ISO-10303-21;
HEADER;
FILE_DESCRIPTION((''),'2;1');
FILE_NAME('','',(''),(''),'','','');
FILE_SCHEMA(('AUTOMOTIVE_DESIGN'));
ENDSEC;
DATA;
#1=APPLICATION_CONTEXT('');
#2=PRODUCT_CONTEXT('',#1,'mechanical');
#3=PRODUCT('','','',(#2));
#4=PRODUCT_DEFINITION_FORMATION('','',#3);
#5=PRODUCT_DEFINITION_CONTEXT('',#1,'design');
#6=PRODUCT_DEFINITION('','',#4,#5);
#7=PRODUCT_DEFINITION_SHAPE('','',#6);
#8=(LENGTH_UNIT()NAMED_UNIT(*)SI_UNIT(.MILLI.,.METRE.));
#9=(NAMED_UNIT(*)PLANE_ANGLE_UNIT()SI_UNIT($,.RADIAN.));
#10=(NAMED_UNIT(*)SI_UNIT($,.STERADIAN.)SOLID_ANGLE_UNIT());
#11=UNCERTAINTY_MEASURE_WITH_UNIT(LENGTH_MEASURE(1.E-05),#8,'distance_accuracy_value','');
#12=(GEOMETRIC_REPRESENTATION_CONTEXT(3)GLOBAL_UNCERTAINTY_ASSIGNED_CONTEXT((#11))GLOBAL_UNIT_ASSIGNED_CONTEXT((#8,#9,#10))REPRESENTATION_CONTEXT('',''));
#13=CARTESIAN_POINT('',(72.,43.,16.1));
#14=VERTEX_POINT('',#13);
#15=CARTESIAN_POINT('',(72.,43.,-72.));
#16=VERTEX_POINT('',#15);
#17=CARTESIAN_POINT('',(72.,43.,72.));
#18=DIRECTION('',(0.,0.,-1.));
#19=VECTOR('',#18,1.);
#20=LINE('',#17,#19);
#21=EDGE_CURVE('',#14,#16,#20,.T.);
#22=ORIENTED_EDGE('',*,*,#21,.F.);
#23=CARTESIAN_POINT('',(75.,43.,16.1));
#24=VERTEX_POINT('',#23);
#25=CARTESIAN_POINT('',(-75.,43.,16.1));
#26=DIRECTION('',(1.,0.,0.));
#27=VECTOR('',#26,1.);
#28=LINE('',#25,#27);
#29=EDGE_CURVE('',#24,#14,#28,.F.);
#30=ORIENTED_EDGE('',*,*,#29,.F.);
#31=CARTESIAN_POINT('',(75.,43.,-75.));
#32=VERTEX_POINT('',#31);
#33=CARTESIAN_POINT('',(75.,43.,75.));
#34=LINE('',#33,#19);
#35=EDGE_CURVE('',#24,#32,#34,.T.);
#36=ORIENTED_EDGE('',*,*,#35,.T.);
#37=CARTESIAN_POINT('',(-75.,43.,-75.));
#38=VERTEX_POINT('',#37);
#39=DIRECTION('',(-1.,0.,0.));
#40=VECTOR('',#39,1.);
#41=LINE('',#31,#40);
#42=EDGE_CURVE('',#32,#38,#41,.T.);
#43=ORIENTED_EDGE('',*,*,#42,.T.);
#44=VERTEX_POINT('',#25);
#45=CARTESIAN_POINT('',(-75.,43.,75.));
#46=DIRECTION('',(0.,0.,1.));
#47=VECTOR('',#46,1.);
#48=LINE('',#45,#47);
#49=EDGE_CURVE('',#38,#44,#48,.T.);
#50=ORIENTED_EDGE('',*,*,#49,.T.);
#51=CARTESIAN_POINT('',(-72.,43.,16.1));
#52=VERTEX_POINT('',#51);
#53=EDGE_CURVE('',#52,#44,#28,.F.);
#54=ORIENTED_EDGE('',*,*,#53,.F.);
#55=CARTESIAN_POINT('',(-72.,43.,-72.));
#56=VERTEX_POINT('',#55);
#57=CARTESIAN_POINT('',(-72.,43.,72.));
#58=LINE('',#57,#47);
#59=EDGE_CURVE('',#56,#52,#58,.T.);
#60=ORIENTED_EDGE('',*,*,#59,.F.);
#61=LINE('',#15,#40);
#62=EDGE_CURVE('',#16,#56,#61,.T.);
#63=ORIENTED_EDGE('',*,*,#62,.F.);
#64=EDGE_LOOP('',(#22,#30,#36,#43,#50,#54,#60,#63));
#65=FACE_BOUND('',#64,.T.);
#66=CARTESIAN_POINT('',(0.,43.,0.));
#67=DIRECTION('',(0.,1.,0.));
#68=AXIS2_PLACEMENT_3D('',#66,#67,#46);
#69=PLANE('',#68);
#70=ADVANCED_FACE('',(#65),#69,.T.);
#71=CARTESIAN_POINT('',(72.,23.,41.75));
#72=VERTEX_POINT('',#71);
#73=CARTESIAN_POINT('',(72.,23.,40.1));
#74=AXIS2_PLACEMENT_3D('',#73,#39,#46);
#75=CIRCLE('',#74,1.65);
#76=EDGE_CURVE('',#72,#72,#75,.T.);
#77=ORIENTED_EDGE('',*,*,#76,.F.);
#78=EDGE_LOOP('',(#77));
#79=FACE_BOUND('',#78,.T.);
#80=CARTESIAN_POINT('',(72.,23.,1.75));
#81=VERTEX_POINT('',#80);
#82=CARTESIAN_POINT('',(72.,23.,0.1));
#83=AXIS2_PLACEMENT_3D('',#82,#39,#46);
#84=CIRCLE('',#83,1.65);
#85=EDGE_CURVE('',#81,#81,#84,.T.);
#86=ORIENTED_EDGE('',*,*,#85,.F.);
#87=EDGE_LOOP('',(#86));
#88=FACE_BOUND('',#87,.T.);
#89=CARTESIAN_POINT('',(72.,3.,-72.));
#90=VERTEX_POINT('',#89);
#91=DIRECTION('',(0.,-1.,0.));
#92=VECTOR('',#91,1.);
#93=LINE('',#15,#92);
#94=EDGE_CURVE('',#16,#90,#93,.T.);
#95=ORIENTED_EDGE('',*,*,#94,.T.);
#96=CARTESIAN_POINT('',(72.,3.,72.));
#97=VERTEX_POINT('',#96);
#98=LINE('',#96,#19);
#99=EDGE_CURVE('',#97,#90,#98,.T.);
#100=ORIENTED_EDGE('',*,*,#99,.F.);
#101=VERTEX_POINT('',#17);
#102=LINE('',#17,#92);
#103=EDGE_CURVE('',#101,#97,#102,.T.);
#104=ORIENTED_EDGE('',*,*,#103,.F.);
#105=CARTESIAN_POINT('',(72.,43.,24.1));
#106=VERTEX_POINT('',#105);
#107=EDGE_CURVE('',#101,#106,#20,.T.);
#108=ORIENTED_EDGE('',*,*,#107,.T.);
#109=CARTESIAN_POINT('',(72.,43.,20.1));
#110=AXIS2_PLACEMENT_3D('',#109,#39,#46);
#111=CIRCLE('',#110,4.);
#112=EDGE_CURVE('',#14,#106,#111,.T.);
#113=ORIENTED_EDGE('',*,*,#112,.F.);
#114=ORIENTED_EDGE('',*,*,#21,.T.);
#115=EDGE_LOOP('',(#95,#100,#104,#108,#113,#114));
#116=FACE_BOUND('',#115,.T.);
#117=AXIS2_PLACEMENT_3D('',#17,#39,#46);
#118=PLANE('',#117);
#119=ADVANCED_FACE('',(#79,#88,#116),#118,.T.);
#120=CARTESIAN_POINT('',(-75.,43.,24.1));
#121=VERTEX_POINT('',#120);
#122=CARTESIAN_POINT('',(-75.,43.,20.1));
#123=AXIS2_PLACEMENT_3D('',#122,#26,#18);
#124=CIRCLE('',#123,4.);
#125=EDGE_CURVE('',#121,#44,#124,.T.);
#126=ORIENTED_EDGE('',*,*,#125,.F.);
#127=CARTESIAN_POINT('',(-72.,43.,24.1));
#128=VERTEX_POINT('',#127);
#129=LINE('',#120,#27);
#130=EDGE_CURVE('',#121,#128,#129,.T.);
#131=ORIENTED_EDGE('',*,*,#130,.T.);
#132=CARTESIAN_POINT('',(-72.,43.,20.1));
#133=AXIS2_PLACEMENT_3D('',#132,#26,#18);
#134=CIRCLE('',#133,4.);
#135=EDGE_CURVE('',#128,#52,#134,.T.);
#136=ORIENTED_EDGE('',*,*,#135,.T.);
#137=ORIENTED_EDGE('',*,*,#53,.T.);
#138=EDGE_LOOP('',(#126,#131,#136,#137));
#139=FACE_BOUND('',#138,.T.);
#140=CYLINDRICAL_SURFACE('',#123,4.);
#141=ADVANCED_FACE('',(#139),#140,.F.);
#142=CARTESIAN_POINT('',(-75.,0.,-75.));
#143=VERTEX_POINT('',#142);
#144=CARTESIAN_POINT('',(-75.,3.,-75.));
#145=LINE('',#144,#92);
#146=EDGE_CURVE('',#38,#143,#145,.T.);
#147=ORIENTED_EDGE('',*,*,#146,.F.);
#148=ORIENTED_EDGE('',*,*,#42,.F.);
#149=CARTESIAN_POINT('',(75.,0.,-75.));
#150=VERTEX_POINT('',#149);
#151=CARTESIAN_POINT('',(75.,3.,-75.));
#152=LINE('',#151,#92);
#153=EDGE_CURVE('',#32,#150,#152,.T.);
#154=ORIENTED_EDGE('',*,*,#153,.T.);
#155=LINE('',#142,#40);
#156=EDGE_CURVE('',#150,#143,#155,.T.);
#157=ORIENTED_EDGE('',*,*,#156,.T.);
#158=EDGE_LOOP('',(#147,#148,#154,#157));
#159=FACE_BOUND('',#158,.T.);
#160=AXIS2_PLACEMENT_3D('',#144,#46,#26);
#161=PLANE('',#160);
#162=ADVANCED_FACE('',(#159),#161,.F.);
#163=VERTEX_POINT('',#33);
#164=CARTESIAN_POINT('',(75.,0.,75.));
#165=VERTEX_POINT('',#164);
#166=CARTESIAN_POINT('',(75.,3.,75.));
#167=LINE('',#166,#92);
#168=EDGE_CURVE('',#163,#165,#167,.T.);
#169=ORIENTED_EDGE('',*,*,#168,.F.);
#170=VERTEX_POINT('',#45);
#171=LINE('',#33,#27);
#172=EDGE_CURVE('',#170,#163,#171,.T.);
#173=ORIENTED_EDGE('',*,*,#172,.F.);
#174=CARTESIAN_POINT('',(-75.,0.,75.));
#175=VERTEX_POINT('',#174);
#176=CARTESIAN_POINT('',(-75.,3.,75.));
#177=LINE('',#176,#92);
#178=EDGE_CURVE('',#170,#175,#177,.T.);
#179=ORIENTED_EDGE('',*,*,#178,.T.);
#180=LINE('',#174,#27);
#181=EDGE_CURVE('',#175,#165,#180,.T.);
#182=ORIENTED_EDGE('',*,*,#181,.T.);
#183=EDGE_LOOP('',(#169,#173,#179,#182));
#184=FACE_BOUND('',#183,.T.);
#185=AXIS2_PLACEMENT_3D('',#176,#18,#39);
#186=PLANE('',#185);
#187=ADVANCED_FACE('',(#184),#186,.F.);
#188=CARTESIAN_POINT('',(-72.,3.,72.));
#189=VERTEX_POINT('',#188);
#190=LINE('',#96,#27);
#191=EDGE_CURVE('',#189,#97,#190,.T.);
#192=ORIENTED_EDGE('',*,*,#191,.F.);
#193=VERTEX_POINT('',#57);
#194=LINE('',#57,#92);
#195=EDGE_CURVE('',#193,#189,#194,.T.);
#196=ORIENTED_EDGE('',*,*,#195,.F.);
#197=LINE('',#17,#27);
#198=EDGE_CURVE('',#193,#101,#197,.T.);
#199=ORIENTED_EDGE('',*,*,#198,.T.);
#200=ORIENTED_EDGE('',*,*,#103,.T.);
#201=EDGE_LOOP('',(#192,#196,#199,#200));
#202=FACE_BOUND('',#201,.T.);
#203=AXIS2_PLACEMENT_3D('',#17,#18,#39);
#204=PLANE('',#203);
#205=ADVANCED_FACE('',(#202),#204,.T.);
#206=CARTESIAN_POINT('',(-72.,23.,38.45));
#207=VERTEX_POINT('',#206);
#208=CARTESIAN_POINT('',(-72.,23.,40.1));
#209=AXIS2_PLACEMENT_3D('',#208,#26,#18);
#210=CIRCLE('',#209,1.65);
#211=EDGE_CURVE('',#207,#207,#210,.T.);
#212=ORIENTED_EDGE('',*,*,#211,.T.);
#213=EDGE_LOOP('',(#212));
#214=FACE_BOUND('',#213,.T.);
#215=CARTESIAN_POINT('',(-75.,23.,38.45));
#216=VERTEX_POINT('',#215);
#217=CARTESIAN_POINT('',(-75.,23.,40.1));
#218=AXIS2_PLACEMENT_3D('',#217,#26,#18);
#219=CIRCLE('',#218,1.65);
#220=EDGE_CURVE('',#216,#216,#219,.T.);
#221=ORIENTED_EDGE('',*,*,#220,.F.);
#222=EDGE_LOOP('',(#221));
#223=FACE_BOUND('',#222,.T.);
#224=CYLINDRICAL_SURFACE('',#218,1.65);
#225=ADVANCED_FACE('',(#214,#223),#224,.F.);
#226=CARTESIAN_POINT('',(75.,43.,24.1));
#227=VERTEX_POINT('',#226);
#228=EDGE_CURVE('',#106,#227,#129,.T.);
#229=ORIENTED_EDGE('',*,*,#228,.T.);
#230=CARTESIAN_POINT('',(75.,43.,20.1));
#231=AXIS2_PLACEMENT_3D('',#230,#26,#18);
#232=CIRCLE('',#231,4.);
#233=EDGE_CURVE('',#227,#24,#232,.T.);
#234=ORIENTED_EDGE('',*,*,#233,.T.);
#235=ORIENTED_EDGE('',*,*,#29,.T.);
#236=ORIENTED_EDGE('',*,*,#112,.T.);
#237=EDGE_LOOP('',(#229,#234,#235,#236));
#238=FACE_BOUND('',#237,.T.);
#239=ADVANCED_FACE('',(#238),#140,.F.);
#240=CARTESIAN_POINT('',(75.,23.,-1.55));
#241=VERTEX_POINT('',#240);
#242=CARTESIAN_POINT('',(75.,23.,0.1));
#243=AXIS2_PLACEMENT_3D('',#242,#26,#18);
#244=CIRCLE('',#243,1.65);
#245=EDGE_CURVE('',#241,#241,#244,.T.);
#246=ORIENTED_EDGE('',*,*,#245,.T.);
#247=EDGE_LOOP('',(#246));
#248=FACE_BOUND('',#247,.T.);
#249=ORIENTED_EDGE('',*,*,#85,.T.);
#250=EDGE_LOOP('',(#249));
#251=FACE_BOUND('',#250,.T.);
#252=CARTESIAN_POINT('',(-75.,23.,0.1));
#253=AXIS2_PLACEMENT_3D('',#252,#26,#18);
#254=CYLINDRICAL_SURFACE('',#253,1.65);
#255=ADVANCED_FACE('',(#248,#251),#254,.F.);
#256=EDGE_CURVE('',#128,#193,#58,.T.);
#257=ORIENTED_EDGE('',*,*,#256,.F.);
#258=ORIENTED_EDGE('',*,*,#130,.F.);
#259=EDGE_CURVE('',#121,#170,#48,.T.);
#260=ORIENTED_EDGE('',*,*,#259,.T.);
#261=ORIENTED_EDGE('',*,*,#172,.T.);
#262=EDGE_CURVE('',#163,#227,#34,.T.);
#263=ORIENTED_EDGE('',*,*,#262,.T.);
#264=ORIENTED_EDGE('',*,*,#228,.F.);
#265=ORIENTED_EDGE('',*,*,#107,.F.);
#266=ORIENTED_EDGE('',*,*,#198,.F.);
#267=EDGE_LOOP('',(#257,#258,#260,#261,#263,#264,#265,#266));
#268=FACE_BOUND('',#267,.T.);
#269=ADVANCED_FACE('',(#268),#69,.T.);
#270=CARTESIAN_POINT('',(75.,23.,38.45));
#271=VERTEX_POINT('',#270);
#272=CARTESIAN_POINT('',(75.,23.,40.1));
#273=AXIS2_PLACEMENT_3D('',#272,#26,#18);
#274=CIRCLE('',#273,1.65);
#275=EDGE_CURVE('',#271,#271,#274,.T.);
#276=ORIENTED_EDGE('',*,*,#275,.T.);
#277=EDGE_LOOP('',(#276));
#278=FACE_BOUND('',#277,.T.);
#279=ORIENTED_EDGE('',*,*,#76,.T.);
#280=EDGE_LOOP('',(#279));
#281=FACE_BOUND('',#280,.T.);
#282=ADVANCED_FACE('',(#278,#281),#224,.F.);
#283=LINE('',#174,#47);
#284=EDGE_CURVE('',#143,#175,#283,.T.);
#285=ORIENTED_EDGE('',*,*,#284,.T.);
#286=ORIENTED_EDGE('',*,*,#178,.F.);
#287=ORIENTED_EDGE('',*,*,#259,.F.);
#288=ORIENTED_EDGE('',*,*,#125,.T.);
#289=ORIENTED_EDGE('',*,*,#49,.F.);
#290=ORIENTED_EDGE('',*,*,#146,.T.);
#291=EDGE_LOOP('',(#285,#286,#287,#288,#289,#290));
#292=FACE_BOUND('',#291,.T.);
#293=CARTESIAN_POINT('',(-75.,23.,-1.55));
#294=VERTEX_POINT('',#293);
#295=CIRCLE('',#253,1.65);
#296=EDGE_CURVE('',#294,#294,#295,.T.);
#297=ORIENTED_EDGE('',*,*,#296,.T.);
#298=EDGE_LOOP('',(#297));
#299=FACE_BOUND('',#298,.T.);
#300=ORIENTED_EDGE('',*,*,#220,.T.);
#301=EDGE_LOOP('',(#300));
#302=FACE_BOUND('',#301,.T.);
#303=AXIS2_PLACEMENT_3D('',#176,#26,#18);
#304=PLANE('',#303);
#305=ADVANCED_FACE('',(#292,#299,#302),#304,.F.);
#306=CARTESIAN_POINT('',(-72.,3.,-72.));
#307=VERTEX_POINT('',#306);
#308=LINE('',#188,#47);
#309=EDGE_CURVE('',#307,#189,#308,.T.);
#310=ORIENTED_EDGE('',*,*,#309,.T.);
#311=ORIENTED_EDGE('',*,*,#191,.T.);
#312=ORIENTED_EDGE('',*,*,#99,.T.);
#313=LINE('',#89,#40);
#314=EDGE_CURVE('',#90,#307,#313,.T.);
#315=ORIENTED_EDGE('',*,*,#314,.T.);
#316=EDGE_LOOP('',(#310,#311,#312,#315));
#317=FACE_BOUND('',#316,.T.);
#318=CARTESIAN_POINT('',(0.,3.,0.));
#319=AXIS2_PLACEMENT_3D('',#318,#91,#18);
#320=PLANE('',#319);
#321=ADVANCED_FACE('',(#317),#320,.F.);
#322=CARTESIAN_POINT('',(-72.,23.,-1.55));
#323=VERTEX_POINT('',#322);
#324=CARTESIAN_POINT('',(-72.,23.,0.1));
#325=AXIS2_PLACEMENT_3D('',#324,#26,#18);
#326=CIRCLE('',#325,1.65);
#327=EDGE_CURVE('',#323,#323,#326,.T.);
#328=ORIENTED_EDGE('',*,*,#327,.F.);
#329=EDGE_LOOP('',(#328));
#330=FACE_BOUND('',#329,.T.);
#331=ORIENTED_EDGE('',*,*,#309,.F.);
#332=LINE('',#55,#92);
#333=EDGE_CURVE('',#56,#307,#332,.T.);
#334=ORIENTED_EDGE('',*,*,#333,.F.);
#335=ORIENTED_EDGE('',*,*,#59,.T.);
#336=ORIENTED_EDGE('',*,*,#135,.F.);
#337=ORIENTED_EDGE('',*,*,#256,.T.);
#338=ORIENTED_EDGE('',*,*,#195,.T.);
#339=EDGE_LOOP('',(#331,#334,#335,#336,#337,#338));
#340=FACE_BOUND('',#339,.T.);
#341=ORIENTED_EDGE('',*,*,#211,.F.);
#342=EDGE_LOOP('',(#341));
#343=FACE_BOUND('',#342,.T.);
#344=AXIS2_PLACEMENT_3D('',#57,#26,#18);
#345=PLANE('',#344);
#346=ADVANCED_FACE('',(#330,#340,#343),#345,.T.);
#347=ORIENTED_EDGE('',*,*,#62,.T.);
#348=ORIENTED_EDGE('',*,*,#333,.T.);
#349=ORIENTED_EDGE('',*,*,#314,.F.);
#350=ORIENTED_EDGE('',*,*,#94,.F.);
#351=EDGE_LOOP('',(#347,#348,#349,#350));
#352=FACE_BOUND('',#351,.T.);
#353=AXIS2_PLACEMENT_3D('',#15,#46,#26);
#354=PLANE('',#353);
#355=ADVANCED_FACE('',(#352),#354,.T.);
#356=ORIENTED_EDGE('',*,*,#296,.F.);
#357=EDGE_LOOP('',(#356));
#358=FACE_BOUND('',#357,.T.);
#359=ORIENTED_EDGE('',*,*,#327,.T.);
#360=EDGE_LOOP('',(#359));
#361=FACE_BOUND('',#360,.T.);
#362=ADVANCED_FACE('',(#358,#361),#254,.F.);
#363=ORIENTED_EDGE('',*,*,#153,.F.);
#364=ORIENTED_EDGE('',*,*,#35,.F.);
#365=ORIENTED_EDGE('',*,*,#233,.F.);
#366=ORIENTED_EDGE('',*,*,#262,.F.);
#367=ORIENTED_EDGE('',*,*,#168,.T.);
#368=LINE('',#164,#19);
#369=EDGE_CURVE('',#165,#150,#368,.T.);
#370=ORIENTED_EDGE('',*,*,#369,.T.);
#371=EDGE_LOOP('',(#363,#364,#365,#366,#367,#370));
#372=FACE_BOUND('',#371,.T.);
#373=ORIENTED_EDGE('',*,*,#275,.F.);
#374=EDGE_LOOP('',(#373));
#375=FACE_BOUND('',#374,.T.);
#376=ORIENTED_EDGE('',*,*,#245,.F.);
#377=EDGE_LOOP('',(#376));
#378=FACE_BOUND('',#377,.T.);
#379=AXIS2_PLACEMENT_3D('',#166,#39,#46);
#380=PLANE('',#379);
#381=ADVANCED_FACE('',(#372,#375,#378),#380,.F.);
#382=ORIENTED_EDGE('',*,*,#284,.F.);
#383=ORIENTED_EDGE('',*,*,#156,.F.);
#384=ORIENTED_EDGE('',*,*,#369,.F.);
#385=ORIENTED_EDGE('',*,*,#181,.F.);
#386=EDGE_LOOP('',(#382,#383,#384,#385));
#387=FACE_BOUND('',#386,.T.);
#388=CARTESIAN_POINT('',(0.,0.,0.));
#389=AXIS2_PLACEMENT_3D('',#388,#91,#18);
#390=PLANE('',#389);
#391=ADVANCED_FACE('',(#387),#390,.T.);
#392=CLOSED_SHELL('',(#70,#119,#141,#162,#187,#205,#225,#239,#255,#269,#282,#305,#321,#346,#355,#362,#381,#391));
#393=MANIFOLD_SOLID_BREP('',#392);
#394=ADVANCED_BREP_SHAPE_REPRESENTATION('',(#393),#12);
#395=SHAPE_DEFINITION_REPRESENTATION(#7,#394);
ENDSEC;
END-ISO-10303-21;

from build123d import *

# Parameters (mm, degrees)
SKETCH_1_W          = 150
SKETCH_1_H          = 150
EXTRUDE_1_DEPTH     = 3
SKETCH_2_W          = 150
SKETCH_2_H          = 150
SKETCH_2_W_2        = 144
SKETCH_2_H_2        = 144
EXTRUDE_2_DEPTH     = 40
SKETCH_3_R          = 4
SKETCH_3_R_2        = 1.65
CUT_EXTRUDE_1_DEPTH = 174.130008953


with BuildPart() as part:
    # 草图1 → 凸台-拉伸1 (new body)
    with BuildSketch(Plane(origin=(0, 0, 0), x_dir=(1, 0, 0), z_dir=(0, 1, 0))):
        Rectangle(SKETCH_1_W, SKETCH_1_H)
    extrude(amount=EXTRUDE_1_DEPTH)

    # 草图2 → 凸台-拉伸2 (add)
    with BuildSketch(Plane(origin=(0, 3, 0), x_dir=(1, 0, 0), z_dir=(0, 1, 0))):
        Rectangle(SKETCH_2_W, SKETCH_2_H)
        Rectangle(SKETCH_2_W_2, SKETCH_2_H_2, mode=Mode.SUBTRACT)
    extrude(amount=EXTRUDE_2_DEPTH)

    # 草图3 → 切除-拉伸1 (cut, through all)
    with BuildSketch(Plane(origin=(75, 0, 0), x_dir=(0, 0, -1), z_dir=(1, 0, 0))):
        with Locations((-20.1, 43)):
            Circle(SKETCH_3_R)
        with Locations((-0.1, 23)):
            Circle(SKETCH_3_R_2)
        with Locations((-40.1, 23)):
            Circle(SKETCH_3_R_2)
    extrude(amount=-CUT_EXTRUDE_1_DEPTH, mode=Mode.SUBTRACT)


solid = part.part
